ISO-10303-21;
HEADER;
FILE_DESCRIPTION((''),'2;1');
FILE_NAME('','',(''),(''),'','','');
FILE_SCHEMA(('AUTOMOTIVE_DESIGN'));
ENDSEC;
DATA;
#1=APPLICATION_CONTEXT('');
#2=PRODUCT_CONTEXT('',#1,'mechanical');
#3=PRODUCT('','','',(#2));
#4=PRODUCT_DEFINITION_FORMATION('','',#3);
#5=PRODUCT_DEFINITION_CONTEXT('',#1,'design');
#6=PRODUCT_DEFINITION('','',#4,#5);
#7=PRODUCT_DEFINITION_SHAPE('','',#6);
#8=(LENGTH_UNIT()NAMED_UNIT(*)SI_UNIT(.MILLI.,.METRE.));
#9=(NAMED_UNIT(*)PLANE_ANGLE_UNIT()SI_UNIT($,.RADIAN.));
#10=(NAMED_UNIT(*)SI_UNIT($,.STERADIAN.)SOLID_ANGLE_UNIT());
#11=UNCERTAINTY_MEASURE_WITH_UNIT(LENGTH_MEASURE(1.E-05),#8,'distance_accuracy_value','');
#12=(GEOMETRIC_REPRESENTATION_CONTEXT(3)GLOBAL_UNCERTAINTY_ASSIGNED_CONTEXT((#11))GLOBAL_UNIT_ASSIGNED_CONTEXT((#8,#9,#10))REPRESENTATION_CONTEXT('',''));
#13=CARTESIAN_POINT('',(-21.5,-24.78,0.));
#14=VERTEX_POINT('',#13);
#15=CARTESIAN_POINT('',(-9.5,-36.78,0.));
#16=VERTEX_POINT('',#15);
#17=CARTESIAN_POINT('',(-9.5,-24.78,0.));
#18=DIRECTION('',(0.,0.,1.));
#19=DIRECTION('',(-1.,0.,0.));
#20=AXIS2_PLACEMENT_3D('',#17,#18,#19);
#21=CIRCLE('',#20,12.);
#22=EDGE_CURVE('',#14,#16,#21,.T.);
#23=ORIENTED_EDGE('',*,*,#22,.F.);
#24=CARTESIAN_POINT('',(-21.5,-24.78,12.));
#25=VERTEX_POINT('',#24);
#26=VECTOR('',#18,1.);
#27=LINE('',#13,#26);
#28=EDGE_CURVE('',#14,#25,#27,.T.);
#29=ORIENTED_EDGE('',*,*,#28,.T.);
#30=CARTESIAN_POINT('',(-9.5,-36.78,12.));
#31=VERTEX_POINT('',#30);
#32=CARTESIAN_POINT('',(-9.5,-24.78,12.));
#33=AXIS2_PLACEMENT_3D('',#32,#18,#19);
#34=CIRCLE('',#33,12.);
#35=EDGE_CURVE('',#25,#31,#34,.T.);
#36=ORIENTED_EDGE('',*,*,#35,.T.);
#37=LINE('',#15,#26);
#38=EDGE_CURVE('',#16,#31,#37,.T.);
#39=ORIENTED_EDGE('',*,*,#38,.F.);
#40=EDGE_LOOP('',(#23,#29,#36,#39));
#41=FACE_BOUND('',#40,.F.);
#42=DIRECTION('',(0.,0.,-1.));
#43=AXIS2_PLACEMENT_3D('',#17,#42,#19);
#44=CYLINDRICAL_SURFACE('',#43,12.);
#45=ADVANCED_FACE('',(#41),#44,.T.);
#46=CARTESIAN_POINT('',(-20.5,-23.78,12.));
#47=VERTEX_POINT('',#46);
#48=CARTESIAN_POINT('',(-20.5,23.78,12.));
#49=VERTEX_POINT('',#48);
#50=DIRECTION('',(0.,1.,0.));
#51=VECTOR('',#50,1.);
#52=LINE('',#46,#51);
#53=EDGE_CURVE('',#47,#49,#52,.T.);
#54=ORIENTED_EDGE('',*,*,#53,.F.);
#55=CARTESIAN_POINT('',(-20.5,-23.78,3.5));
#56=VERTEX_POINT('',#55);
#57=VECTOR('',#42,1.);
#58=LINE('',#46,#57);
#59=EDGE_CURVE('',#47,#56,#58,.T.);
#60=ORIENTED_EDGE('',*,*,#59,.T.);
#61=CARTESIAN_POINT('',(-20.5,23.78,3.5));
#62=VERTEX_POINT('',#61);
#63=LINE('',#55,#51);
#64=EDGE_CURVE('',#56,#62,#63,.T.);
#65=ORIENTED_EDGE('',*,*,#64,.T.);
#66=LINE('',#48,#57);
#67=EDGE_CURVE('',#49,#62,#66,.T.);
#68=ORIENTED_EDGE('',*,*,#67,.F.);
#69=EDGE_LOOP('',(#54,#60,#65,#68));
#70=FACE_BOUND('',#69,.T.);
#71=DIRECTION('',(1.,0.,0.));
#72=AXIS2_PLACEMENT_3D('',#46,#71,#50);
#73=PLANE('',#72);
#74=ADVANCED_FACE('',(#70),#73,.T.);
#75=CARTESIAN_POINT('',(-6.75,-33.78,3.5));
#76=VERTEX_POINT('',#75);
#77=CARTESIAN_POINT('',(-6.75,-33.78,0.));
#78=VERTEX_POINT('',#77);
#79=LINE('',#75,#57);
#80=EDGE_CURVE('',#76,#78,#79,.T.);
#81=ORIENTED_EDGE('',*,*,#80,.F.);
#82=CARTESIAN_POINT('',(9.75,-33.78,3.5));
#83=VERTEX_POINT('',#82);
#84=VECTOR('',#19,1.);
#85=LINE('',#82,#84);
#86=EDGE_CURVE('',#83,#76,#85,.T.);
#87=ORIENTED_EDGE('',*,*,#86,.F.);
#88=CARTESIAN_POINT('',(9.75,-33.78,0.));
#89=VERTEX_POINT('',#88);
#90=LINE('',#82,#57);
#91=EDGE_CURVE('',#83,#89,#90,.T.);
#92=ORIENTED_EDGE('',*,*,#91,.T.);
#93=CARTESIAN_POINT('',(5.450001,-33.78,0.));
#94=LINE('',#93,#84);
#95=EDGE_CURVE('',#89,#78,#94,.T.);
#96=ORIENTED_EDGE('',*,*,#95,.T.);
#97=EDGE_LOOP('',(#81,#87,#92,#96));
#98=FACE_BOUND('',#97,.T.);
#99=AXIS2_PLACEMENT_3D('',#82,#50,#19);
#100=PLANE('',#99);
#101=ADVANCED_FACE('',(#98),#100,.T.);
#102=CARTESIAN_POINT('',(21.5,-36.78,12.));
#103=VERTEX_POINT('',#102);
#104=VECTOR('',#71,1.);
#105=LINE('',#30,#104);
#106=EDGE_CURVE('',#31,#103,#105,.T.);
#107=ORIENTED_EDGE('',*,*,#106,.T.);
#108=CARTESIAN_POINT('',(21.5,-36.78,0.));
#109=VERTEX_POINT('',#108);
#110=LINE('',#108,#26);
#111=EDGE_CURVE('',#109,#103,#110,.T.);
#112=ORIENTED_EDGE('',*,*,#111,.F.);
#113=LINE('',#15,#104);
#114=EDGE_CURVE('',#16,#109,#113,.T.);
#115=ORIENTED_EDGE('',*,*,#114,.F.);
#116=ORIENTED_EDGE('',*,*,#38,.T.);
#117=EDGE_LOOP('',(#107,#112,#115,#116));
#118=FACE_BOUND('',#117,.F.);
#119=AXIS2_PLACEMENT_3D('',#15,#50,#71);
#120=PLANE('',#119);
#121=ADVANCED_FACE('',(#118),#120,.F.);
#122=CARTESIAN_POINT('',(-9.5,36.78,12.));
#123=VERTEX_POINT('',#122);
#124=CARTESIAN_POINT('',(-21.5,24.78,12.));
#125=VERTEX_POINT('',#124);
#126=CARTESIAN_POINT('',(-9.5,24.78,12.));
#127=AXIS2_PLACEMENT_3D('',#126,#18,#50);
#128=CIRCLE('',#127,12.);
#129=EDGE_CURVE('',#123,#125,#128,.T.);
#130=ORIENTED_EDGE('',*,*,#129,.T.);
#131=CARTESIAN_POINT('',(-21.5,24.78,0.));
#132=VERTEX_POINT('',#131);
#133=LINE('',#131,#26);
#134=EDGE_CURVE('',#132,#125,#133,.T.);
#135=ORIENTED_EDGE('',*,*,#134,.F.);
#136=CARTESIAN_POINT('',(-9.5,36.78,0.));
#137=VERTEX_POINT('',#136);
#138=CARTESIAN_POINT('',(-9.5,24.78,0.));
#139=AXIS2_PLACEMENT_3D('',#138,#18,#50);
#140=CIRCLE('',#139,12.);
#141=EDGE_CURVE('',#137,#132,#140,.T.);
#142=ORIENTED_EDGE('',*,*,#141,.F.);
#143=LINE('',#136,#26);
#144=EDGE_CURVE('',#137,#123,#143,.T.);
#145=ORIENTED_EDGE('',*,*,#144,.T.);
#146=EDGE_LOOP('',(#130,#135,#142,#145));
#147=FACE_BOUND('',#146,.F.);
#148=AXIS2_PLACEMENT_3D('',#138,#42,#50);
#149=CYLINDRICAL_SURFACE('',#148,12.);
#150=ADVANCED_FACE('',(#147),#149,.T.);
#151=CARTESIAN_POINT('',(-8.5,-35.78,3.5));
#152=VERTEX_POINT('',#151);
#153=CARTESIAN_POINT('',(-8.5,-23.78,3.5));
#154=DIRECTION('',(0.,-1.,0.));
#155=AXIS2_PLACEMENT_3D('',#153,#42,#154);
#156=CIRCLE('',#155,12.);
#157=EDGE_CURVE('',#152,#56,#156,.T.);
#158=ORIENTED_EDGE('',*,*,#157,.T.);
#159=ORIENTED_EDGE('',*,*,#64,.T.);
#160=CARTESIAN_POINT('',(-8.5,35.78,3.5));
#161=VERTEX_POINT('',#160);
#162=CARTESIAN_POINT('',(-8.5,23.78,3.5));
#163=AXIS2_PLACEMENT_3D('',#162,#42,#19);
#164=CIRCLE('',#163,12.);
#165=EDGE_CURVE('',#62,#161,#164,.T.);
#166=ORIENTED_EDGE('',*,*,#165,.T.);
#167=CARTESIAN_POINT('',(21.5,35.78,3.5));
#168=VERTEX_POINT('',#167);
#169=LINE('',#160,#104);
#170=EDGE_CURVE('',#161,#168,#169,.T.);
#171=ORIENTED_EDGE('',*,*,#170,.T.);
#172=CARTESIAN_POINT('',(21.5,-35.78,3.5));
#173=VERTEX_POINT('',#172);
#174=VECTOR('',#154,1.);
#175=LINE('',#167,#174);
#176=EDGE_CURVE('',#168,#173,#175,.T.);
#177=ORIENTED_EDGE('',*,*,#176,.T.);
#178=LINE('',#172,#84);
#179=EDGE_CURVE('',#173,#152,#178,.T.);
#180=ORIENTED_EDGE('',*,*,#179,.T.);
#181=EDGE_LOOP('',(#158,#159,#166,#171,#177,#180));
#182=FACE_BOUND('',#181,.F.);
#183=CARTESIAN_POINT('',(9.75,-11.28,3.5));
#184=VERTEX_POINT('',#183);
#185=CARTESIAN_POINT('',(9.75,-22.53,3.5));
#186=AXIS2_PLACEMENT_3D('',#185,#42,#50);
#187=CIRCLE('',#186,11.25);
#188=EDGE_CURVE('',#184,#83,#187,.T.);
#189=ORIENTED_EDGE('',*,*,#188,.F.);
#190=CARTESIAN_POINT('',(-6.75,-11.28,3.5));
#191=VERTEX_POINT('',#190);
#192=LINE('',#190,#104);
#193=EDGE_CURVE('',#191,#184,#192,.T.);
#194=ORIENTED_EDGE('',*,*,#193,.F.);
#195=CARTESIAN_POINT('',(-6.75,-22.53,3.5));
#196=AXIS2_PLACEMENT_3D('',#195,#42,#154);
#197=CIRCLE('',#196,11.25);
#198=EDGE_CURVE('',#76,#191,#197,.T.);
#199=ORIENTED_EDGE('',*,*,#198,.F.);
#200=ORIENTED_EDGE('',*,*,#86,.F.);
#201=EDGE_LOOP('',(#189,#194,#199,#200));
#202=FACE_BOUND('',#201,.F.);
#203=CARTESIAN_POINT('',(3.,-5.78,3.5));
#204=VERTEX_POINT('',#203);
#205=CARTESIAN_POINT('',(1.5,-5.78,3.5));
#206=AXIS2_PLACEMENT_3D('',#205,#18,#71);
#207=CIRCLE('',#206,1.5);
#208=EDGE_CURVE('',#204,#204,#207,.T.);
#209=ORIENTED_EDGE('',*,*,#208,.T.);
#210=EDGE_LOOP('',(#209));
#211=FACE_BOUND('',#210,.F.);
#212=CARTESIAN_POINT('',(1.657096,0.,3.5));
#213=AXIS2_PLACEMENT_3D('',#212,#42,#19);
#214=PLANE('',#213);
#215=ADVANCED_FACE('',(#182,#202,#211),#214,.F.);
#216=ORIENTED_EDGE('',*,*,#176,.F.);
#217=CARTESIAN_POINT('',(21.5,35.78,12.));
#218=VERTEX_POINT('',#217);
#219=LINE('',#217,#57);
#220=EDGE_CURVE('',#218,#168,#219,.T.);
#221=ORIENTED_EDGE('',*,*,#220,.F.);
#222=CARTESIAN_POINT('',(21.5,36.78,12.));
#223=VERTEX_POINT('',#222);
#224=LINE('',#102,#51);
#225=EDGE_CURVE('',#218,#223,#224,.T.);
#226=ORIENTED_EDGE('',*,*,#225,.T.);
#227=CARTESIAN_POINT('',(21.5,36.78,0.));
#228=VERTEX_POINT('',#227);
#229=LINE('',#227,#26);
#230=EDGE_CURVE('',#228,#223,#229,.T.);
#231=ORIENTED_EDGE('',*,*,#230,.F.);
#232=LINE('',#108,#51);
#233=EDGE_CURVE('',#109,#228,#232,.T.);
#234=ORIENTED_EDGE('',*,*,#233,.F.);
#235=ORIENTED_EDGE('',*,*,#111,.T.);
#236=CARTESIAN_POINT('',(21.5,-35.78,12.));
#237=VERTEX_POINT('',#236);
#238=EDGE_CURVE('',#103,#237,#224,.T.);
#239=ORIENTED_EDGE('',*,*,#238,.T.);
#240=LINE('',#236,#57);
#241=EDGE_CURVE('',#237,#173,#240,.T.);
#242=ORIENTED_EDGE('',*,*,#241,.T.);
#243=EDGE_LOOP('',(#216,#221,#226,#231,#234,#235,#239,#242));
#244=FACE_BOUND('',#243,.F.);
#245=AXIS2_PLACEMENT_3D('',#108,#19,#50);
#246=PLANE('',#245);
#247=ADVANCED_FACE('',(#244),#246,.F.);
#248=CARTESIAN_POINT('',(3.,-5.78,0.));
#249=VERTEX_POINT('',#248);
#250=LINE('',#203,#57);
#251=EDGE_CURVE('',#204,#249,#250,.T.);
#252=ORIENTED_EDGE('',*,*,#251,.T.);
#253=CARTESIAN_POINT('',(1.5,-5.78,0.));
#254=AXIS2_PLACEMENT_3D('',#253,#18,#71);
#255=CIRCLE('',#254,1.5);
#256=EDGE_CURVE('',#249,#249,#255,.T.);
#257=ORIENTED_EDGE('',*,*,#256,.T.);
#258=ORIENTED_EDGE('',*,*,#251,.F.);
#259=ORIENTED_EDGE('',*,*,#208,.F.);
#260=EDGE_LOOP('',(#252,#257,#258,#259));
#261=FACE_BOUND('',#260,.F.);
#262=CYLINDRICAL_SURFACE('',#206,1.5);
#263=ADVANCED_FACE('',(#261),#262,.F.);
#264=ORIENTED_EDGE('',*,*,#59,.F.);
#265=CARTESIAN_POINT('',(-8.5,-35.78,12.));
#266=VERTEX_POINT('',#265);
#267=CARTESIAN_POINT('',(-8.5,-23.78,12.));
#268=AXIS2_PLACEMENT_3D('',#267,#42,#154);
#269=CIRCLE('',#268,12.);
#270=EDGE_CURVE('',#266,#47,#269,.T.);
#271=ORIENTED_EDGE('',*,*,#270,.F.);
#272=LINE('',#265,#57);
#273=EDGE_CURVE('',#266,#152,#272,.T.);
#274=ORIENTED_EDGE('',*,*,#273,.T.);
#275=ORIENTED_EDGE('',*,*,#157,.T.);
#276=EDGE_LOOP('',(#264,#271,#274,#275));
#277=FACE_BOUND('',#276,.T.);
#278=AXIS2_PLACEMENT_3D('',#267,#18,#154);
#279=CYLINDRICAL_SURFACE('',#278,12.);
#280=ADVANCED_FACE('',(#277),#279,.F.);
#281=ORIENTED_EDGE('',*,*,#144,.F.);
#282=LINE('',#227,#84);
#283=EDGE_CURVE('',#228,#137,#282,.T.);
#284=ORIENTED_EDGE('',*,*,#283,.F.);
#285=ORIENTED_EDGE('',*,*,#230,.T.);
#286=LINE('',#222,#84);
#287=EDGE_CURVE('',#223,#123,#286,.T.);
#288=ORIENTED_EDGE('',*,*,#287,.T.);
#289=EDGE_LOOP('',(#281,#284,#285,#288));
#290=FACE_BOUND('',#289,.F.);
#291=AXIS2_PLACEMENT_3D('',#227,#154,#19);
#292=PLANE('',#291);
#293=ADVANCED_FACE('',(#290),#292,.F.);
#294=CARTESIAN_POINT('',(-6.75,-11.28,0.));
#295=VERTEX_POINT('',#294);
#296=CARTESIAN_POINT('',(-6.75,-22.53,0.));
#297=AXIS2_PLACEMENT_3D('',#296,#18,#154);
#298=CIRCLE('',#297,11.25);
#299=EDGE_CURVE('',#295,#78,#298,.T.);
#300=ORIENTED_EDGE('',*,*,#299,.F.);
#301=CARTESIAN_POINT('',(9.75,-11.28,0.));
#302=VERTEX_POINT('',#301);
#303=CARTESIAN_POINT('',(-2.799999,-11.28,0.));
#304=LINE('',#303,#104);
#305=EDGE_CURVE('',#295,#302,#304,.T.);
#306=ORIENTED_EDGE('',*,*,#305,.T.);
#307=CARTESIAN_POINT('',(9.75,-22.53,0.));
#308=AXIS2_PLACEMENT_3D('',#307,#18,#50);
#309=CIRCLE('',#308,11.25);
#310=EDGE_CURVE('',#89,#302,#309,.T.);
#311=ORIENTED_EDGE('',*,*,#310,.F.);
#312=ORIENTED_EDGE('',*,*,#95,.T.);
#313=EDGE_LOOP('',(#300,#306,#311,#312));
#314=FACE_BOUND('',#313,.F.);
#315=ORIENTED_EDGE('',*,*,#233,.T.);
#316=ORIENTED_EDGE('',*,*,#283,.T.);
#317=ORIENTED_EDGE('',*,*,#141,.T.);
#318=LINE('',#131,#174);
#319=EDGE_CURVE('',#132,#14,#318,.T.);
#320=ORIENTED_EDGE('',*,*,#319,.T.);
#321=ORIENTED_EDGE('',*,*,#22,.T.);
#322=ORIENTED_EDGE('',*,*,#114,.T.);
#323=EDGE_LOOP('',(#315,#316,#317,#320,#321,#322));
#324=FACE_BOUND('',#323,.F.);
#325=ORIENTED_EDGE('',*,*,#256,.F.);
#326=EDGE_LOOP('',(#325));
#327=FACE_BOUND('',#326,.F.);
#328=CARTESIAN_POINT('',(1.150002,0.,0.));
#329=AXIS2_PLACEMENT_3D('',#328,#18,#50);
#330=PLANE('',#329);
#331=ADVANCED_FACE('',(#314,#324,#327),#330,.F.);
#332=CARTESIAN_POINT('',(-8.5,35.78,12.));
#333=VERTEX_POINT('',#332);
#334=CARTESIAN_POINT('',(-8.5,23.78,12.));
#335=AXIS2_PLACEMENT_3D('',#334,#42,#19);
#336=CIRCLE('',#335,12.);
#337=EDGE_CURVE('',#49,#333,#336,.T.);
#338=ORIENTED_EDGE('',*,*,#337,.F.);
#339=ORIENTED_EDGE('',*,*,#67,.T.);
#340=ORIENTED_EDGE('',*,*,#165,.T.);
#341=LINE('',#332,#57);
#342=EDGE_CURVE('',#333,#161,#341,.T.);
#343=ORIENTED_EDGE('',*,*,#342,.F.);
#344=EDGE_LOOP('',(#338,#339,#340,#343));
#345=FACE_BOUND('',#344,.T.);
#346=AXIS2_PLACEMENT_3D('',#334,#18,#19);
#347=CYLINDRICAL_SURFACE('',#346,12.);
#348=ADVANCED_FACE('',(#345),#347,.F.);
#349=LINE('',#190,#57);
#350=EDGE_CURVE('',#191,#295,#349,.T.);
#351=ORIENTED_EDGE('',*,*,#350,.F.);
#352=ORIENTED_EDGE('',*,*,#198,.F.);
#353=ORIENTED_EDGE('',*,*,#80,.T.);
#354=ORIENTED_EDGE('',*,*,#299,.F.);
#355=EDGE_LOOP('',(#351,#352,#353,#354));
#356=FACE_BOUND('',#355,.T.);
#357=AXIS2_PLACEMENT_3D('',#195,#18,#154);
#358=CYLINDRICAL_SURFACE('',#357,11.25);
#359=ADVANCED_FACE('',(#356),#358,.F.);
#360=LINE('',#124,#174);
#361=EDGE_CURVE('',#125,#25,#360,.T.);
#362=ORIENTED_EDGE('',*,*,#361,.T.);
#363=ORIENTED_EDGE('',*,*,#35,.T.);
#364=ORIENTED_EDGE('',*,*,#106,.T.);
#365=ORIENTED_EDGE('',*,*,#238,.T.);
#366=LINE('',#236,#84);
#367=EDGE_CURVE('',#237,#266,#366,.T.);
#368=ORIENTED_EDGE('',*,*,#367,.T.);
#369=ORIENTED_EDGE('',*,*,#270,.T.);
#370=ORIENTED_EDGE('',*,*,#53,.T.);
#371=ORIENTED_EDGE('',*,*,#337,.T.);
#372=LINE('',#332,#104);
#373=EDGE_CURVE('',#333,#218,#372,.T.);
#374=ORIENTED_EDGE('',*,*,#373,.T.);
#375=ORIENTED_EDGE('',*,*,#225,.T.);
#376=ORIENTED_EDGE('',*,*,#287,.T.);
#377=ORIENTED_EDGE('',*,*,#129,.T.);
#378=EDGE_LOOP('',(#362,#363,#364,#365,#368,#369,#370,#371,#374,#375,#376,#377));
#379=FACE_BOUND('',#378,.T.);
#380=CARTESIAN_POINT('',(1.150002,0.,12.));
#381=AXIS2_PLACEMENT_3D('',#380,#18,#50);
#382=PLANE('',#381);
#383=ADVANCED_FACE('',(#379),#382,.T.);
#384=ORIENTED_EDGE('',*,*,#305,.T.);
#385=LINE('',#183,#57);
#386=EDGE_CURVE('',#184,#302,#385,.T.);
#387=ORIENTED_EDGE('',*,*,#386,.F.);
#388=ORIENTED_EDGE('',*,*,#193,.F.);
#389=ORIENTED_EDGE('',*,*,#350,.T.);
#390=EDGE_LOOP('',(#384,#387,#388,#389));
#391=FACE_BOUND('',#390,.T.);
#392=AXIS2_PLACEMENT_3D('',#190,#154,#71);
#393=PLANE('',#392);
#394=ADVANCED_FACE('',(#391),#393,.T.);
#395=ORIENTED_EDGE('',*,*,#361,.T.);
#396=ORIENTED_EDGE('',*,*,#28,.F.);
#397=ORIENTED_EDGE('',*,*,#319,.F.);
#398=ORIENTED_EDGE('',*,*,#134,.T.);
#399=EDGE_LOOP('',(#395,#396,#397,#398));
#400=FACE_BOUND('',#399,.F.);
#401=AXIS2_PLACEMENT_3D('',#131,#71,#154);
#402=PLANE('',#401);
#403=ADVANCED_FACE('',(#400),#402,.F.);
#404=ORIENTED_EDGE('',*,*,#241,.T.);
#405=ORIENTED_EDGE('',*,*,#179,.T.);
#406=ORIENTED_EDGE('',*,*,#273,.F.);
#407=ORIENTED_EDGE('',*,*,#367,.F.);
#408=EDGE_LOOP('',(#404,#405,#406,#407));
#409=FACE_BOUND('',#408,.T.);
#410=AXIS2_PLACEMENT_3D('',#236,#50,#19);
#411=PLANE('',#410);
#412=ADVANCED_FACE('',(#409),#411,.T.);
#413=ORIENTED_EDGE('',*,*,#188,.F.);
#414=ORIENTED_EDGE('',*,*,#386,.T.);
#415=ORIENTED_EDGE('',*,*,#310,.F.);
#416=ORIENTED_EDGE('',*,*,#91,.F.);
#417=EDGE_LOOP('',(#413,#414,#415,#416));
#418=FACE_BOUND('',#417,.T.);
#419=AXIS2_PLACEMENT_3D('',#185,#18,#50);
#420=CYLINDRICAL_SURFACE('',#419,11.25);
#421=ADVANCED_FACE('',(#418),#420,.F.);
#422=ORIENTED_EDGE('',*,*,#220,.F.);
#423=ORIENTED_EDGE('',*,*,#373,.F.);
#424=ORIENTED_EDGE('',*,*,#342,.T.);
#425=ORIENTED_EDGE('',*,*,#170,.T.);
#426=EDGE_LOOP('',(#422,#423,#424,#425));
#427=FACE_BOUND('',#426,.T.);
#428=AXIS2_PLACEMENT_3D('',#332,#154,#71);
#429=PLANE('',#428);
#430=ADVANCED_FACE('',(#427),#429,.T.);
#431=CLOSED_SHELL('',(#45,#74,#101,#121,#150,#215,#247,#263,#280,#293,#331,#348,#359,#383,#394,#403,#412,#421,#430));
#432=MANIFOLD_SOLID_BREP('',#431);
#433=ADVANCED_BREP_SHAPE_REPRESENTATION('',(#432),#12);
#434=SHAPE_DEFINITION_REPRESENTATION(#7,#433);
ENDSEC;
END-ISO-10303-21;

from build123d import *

# Parameters (mm, degrees)
BOSS_EXTRUDE2_DEPTH = 12
CUT_EXTRUDE1_DEPTH  = 8.5
SKETCH6_R           = 1.5
CUT_EXTRUDE2_DEPTH  = 8.5


with BuildPart() as part:
    # Sketch2 → Boss-Extrude2 (new body)
    with BuildSketch(Plane(origin=(0, 0, 0), x_dir=(0, 1, 0), z_dir=(0, 0, 1))):
        with BuildLine():
            Line((-36.78, -21.5), (36.78, -21.5))
            Line((36.78, -21.5), (36.78, 9.5))
            ThreePointArc((36.78, 9.5), (33.265281374, 17.985281374), (24.78, 21.5))
            Line((24.78, 21.5), (-24.78, 21.5))
            ThreePointArc((-24.78, 21.5), (-33.265281374, 17.985281374), (-36.78, 9.5))
            Line((-36.78, 9.5), (-36.78, -21.5))
        make_face()
    extrude(amount=BOSS_EXTRUDE2_DEPTH)

    # Sketch5 → Cut-Extrude1 (cut)
    with BuildSketch(Plane.XY.offset(12)):
        with BuildLine():
            Line((21.5, -35.78), (-8.5, -35.78))
            ThreePointArc((-8.5, -35.78), (-16.985281374, -32.265281374), (-20.5, -23.78))
            Line((-20.5, -23.78), (-20.5, 23.78))
            ThreePointArc((-20.5, 23.78), (-16.985281374, 32.265281374), (-8.5, 35.78))
            Line((-8.5, 35.78), (21.5, 35.78))
            Line((21.5, 35.78), (21.5, -35.78))
        make_face()
    extrude(amount=-CUT_EXTRUDE1_DEPTH, mode=Mode.SUBTRACT)

    # Sketch6 → Cut-Extrude2 (cut)
    with BuildSketch(Plane.XY.offset(3.5)):
        with Locations((1.5, -5.78)):
            Circle(SKETCH6_R)
        with BuildLine():
            Line((9.75, -33.78), (-6.75, -33.78))
            ThreePointArc((-6.75, -33.78), (-18, -22.53), (-6.75, -11.28))
            Line((-6.75, -11.28), (9.75, -11.28))
            ThreePointArc((9.75, -11.28), (21, -22.53), (9.75, -33.78))
        make_face()
    extrude(amount=-CUT_EXTRUDE2_DEPTH, mode=Mode.SUBTRACT)


solid = part.part
